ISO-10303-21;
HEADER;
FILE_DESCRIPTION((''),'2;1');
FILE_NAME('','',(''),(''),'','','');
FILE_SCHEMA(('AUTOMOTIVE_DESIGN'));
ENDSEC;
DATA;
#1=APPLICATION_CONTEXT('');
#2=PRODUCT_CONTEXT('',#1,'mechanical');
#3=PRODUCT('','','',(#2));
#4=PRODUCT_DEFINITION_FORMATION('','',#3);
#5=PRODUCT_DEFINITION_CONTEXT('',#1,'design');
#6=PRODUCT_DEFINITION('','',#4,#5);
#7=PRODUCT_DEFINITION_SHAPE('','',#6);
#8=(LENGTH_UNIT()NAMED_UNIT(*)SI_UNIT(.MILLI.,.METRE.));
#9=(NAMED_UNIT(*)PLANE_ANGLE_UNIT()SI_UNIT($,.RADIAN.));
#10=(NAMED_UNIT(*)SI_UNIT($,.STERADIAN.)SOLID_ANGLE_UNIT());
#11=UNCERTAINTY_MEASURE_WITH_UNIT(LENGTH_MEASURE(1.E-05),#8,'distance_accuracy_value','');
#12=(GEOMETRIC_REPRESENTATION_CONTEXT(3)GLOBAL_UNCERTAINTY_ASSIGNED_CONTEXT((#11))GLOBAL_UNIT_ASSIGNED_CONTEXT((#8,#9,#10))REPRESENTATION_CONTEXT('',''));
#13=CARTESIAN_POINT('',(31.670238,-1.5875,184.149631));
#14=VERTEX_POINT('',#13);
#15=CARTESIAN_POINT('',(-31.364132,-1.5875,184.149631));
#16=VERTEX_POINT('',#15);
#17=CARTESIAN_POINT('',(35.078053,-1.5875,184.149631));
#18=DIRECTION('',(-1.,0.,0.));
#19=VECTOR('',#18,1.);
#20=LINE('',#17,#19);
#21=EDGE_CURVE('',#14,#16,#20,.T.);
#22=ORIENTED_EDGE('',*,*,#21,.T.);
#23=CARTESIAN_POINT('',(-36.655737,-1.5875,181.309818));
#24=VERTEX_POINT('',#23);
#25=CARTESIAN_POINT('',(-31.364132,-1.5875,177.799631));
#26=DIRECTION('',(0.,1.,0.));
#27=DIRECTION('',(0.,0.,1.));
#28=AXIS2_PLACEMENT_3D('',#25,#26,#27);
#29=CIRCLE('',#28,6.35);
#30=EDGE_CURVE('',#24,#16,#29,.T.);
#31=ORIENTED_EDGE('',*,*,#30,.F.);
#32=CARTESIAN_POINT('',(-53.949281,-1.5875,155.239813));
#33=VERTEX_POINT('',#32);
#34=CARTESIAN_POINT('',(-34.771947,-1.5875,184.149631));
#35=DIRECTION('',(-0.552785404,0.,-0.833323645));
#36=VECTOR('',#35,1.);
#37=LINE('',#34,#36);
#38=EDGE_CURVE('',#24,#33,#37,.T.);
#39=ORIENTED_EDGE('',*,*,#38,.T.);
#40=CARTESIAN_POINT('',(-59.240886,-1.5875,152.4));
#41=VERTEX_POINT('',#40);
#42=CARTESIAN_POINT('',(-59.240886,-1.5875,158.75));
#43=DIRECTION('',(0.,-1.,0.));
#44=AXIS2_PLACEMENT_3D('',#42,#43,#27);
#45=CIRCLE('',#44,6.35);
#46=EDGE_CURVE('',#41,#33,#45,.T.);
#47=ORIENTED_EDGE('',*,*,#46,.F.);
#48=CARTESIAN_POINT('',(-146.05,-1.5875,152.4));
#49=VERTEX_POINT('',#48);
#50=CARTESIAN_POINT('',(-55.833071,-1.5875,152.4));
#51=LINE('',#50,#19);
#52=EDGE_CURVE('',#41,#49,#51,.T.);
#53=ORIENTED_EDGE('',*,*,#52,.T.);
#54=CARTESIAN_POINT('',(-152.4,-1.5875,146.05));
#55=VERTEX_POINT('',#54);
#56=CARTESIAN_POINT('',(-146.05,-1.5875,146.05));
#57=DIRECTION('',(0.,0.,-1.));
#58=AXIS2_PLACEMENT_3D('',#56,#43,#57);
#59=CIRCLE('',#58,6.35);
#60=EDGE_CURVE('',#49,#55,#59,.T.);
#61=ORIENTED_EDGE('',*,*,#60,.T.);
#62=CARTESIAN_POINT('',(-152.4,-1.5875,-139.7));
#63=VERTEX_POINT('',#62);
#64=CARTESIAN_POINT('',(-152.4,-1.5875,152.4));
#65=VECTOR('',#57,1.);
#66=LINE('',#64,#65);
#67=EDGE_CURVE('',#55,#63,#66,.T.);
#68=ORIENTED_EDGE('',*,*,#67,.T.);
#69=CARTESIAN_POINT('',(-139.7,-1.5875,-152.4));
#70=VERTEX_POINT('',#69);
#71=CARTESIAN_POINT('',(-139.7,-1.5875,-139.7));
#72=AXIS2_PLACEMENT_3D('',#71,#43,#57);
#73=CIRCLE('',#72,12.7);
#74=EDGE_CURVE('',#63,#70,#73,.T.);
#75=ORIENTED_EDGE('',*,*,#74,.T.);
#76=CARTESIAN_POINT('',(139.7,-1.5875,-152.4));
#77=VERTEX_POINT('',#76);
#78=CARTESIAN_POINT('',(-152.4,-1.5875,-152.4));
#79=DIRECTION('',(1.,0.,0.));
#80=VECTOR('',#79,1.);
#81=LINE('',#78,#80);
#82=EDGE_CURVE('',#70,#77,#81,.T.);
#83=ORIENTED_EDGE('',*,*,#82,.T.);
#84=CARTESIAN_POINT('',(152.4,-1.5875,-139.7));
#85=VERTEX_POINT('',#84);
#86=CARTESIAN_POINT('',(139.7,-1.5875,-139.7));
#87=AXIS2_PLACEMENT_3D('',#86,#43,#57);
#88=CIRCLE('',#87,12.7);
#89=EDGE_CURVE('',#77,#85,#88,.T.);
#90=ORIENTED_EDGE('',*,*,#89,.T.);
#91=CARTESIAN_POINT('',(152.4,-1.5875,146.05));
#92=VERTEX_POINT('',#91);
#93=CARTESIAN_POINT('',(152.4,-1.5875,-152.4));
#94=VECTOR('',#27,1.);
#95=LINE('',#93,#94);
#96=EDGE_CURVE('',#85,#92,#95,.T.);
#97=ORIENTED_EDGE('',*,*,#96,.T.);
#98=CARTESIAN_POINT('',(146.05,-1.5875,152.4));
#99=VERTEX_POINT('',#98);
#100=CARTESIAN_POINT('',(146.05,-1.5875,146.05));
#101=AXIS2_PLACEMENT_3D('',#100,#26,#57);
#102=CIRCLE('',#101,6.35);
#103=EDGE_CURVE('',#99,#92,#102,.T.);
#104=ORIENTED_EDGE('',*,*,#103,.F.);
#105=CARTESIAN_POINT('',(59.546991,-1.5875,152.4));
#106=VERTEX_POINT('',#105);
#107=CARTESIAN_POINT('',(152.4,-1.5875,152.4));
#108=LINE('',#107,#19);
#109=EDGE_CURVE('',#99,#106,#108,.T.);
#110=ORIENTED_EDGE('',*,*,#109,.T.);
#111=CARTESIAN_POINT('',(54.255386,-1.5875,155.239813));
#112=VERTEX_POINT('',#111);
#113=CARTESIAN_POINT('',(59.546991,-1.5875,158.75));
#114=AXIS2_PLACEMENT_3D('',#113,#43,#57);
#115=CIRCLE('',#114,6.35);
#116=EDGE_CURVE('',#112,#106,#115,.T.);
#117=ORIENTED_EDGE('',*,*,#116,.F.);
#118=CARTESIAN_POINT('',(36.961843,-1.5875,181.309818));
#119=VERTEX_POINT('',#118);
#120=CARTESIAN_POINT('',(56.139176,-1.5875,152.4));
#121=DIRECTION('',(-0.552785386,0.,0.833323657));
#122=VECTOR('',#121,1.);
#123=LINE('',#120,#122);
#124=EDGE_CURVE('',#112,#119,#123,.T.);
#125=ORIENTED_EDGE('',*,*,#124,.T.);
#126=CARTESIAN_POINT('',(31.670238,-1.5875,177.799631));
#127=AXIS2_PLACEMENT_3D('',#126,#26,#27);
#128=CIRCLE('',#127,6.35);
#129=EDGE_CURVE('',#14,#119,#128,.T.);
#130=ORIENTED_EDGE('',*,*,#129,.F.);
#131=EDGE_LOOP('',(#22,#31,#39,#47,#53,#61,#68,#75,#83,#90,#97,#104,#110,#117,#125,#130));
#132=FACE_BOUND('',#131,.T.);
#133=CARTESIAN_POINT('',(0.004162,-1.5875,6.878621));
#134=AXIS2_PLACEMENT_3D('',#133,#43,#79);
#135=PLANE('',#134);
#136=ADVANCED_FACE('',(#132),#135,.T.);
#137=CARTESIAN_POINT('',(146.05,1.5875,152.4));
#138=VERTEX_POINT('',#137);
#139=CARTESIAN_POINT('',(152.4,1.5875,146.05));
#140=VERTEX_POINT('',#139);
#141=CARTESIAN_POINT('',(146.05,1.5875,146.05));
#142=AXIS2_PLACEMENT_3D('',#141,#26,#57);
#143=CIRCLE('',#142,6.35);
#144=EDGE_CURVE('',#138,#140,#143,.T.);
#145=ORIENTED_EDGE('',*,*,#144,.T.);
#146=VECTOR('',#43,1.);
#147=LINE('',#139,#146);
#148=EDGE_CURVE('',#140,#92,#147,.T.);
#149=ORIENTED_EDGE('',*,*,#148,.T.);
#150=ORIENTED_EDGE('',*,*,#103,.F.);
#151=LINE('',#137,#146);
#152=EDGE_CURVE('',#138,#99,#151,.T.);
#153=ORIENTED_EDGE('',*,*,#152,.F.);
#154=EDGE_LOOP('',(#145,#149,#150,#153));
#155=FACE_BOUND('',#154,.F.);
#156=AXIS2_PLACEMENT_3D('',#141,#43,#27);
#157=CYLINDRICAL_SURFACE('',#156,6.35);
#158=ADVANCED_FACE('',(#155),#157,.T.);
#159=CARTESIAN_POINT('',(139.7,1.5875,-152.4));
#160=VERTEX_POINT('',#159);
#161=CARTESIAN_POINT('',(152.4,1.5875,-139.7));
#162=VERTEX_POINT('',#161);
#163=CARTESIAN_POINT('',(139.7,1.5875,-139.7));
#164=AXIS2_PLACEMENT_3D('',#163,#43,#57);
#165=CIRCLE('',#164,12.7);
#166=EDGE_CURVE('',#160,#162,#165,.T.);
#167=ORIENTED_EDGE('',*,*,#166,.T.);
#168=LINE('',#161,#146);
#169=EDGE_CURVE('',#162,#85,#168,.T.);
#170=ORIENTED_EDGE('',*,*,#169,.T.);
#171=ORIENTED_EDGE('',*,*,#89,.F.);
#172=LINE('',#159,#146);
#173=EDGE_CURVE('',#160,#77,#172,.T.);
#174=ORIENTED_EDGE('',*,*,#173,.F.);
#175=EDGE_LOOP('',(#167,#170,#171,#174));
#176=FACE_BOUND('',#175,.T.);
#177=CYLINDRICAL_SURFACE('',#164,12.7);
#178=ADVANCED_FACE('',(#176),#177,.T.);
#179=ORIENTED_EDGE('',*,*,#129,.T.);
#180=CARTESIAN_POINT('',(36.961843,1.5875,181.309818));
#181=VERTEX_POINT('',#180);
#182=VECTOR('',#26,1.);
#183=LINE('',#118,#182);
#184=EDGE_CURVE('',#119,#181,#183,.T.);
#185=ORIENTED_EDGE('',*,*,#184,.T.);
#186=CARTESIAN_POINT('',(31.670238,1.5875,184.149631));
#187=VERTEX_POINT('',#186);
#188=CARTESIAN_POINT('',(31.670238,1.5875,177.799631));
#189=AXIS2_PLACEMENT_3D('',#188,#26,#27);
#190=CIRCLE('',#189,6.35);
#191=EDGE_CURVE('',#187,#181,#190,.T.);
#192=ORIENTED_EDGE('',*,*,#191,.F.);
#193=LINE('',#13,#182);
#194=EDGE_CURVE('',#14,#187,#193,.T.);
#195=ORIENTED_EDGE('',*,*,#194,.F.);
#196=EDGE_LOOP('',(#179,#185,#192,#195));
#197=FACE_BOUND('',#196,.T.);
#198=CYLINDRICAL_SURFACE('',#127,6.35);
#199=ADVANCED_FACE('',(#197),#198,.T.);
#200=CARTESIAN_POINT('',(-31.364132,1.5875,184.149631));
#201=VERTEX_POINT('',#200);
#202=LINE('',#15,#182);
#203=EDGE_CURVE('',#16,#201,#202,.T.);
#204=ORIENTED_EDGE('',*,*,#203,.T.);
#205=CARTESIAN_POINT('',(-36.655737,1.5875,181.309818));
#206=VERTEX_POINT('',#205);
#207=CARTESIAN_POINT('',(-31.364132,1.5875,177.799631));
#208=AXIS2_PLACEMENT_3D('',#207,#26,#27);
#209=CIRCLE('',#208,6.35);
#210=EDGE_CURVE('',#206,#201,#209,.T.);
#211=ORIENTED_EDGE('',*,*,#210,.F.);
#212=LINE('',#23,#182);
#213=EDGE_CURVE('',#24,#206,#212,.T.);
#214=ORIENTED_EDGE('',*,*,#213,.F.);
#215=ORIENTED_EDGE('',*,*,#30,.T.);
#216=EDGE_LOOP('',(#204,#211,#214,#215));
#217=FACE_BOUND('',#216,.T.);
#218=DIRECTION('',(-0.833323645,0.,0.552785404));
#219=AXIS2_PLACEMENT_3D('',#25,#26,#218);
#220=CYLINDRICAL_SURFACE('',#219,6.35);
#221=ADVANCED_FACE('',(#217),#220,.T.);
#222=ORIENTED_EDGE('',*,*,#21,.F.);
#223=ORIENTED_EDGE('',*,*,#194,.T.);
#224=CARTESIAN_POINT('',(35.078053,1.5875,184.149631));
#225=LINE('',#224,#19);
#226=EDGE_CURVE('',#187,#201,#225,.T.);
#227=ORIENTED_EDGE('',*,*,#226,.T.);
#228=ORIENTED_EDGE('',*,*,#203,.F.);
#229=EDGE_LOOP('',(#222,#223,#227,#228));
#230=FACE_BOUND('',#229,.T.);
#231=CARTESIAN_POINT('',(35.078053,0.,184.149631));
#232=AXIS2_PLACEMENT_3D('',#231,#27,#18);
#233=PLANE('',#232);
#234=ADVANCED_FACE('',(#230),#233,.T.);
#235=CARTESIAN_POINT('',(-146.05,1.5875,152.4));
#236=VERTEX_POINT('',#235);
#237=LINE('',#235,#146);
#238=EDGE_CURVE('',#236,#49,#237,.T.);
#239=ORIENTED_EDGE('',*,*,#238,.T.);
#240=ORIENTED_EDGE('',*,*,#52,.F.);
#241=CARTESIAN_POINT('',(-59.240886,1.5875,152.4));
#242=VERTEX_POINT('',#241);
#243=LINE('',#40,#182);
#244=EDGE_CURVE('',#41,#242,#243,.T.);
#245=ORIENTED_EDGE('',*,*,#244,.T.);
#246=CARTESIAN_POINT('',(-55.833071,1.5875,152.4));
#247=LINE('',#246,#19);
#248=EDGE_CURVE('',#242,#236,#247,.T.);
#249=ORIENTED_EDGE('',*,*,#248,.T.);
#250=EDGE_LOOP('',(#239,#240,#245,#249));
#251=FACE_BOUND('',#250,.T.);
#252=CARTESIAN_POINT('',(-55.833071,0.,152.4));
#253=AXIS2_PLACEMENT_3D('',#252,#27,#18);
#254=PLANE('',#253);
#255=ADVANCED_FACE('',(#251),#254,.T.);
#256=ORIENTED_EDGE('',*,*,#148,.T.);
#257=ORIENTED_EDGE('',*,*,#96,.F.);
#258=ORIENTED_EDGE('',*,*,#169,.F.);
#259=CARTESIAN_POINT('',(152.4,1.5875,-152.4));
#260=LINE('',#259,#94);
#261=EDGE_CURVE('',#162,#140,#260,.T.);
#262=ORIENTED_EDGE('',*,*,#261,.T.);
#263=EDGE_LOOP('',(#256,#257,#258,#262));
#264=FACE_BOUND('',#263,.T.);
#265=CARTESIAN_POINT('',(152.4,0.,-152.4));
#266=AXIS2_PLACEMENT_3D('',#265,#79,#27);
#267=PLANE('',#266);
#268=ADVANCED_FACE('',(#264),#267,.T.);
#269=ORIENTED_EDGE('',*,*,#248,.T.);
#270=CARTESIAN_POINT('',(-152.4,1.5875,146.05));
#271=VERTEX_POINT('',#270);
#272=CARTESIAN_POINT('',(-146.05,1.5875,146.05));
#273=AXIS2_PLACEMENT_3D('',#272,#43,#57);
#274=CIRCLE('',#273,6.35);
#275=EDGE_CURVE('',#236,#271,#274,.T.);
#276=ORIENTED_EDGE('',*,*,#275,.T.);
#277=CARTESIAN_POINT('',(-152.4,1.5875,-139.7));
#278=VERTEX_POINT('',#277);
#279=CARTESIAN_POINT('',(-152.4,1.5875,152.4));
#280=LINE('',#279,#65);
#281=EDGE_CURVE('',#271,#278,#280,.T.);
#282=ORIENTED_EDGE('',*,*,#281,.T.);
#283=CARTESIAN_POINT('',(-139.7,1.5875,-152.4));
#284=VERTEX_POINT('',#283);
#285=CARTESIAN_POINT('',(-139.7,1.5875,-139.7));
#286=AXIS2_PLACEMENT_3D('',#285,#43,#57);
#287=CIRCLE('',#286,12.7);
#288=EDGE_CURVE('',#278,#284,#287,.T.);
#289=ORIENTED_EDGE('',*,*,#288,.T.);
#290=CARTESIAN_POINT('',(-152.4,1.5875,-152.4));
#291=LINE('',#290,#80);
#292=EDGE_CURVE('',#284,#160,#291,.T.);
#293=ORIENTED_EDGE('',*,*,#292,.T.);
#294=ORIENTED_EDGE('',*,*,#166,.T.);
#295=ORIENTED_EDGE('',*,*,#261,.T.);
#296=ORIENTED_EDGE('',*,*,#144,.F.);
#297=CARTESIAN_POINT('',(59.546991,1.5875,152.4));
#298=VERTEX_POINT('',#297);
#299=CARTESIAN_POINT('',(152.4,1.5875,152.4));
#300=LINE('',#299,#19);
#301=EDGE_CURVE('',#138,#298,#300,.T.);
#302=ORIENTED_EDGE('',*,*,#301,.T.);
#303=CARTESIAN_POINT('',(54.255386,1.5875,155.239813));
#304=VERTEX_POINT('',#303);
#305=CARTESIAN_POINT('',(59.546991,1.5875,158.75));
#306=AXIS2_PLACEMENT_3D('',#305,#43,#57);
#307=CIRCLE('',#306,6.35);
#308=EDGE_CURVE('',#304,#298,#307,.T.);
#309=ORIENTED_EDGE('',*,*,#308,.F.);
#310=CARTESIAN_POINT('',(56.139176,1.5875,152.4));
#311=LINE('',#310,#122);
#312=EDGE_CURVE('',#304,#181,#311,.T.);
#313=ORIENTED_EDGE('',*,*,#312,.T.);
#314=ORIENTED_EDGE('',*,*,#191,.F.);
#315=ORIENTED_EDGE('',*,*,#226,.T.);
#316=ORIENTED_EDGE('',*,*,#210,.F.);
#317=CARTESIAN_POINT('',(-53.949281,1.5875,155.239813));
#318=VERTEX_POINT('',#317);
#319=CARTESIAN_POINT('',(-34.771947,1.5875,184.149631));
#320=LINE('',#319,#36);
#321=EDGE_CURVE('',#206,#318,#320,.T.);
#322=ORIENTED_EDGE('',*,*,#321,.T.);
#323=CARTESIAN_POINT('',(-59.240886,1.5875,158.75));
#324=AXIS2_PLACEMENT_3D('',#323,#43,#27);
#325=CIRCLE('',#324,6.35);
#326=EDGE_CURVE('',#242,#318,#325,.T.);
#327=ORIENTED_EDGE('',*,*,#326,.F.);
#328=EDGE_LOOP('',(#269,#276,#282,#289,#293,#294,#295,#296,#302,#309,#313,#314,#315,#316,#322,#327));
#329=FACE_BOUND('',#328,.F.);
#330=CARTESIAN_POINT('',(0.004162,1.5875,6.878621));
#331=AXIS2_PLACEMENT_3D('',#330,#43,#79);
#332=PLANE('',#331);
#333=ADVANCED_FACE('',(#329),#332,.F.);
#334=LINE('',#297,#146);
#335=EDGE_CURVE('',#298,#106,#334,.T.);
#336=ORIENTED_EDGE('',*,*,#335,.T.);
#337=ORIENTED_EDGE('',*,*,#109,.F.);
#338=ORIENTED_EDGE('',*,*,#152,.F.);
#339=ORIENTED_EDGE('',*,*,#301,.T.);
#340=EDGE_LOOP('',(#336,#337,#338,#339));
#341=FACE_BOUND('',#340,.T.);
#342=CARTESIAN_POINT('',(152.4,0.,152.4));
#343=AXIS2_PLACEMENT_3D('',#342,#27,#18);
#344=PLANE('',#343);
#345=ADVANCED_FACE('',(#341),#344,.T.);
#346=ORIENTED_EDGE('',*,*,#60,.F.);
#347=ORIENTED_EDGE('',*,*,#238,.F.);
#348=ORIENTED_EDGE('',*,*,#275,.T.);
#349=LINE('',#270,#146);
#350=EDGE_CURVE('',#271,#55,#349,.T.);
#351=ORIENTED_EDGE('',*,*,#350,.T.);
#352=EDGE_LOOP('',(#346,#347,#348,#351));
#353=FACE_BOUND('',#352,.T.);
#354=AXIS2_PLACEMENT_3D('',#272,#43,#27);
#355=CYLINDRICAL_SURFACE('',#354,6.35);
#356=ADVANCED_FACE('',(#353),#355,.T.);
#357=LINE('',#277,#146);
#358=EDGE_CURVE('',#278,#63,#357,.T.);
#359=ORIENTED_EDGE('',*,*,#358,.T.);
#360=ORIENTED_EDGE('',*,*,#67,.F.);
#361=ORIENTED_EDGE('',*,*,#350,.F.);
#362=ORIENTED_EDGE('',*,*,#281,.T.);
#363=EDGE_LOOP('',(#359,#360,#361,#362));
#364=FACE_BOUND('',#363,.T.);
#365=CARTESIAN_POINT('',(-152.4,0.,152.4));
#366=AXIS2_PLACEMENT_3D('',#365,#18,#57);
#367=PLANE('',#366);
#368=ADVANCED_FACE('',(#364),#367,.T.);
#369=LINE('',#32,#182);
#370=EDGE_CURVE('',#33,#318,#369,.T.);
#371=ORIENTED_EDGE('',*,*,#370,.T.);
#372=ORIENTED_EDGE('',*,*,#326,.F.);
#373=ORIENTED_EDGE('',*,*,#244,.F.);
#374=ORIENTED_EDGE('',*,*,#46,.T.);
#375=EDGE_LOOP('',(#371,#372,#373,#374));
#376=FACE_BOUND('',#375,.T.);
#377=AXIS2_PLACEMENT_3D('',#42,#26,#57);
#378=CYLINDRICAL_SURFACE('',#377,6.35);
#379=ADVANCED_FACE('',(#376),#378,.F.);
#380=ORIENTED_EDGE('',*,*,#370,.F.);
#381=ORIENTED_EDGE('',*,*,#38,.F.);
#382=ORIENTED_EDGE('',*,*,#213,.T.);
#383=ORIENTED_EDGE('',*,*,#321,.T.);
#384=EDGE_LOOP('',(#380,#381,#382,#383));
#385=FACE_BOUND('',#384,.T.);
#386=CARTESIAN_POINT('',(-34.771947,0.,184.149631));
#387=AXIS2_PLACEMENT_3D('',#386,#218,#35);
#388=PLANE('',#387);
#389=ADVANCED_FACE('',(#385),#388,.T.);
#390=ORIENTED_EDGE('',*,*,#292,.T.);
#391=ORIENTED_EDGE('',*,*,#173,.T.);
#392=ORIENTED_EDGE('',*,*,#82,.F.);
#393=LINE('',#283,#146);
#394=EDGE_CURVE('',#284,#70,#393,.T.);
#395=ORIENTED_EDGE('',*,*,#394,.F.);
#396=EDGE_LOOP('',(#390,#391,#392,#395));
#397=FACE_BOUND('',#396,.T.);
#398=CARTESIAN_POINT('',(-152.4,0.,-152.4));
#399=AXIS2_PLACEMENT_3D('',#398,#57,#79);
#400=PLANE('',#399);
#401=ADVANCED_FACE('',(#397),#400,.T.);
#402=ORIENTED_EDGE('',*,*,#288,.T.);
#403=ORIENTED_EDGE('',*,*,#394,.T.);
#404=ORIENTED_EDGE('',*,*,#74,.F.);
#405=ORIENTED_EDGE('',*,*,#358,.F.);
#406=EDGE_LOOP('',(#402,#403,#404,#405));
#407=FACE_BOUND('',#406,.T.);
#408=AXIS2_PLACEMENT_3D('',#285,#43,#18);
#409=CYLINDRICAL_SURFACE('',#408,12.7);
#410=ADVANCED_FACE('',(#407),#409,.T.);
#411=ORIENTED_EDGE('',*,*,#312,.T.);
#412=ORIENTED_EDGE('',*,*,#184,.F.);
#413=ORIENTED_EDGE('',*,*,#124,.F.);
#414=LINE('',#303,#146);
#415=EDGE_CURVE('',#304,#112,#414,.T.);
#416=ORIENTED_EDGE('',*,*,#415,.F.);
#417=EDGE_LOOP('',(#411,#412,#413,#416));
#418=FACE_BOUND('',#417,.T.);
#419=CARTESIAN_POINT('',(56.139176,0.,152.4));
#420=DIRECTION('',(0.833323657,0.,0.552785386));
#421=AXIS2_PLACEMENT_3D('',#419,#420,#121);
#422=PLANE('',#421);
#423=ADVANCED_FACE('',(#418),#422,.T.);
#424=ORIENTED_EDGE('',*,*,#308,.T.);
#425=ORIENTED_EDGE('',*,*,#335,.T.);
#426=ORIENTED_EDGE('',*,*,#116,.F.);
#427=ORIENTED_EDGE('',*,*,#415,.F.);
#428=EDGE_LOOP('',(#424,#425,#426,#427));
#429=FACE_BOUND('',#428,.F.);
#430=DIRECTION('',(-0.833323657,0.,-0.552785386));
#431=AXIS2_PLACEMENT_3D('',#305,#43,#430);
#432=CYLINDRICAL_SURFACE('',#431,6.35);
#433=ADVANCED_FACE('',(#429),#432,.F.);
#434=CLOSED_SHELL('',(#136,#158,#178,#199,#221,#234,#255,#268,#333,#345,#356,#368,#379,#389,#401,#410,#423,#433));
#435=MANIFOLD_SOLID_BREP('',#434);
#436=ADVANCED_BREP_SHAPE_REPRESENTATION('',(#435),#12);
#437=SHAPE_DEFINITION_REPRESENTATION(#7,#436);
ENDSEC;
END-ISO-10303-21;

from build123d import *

# Parameters (mm, degrees)
F1_DEPTH = 1.5875
F2_R     = 6.35
F3_R     = 12.7


with BuildPart() as f1:
    # F0 (on Front) → F1 (new body, symmetric)
    with BuildSketch(Plane.XZ):
        Polygon((-55.833071, 152.4), (-152.4, 152.4), (-152.4, -152.4), (152.4, -152.4), (152.4, 152.4), (56.139176, 152.4), (35.078053, 184.149631), (-34.771947, 184.149631), align=None)
    extrude(amount=F1_DEPTH, both=True)

    # F2
    f2_edges = [f1.edges().sort_by_distance(p)[0] for p in [
        (152.4, 0, 152.4),
        (-152.4, 0, 152.4),
        (-55.833071, 0, 152.4),
        (-34.771947, 0, 184.149631),
        (35.078053, 0, 184.149631),
        (56.139176, 0, 152.4),
    ]]
    fillet(f2_edges, radius=F2_R)

    # F3
    f3_edges = [f1.edges().sort_by_distance(p)[0] for p in [
        (-152.4, 0, -152.4),
        (152.4, 0, -152.4),
    ]]
    fillet(f3_edges, radius=F3_R)


solid = f1.part
